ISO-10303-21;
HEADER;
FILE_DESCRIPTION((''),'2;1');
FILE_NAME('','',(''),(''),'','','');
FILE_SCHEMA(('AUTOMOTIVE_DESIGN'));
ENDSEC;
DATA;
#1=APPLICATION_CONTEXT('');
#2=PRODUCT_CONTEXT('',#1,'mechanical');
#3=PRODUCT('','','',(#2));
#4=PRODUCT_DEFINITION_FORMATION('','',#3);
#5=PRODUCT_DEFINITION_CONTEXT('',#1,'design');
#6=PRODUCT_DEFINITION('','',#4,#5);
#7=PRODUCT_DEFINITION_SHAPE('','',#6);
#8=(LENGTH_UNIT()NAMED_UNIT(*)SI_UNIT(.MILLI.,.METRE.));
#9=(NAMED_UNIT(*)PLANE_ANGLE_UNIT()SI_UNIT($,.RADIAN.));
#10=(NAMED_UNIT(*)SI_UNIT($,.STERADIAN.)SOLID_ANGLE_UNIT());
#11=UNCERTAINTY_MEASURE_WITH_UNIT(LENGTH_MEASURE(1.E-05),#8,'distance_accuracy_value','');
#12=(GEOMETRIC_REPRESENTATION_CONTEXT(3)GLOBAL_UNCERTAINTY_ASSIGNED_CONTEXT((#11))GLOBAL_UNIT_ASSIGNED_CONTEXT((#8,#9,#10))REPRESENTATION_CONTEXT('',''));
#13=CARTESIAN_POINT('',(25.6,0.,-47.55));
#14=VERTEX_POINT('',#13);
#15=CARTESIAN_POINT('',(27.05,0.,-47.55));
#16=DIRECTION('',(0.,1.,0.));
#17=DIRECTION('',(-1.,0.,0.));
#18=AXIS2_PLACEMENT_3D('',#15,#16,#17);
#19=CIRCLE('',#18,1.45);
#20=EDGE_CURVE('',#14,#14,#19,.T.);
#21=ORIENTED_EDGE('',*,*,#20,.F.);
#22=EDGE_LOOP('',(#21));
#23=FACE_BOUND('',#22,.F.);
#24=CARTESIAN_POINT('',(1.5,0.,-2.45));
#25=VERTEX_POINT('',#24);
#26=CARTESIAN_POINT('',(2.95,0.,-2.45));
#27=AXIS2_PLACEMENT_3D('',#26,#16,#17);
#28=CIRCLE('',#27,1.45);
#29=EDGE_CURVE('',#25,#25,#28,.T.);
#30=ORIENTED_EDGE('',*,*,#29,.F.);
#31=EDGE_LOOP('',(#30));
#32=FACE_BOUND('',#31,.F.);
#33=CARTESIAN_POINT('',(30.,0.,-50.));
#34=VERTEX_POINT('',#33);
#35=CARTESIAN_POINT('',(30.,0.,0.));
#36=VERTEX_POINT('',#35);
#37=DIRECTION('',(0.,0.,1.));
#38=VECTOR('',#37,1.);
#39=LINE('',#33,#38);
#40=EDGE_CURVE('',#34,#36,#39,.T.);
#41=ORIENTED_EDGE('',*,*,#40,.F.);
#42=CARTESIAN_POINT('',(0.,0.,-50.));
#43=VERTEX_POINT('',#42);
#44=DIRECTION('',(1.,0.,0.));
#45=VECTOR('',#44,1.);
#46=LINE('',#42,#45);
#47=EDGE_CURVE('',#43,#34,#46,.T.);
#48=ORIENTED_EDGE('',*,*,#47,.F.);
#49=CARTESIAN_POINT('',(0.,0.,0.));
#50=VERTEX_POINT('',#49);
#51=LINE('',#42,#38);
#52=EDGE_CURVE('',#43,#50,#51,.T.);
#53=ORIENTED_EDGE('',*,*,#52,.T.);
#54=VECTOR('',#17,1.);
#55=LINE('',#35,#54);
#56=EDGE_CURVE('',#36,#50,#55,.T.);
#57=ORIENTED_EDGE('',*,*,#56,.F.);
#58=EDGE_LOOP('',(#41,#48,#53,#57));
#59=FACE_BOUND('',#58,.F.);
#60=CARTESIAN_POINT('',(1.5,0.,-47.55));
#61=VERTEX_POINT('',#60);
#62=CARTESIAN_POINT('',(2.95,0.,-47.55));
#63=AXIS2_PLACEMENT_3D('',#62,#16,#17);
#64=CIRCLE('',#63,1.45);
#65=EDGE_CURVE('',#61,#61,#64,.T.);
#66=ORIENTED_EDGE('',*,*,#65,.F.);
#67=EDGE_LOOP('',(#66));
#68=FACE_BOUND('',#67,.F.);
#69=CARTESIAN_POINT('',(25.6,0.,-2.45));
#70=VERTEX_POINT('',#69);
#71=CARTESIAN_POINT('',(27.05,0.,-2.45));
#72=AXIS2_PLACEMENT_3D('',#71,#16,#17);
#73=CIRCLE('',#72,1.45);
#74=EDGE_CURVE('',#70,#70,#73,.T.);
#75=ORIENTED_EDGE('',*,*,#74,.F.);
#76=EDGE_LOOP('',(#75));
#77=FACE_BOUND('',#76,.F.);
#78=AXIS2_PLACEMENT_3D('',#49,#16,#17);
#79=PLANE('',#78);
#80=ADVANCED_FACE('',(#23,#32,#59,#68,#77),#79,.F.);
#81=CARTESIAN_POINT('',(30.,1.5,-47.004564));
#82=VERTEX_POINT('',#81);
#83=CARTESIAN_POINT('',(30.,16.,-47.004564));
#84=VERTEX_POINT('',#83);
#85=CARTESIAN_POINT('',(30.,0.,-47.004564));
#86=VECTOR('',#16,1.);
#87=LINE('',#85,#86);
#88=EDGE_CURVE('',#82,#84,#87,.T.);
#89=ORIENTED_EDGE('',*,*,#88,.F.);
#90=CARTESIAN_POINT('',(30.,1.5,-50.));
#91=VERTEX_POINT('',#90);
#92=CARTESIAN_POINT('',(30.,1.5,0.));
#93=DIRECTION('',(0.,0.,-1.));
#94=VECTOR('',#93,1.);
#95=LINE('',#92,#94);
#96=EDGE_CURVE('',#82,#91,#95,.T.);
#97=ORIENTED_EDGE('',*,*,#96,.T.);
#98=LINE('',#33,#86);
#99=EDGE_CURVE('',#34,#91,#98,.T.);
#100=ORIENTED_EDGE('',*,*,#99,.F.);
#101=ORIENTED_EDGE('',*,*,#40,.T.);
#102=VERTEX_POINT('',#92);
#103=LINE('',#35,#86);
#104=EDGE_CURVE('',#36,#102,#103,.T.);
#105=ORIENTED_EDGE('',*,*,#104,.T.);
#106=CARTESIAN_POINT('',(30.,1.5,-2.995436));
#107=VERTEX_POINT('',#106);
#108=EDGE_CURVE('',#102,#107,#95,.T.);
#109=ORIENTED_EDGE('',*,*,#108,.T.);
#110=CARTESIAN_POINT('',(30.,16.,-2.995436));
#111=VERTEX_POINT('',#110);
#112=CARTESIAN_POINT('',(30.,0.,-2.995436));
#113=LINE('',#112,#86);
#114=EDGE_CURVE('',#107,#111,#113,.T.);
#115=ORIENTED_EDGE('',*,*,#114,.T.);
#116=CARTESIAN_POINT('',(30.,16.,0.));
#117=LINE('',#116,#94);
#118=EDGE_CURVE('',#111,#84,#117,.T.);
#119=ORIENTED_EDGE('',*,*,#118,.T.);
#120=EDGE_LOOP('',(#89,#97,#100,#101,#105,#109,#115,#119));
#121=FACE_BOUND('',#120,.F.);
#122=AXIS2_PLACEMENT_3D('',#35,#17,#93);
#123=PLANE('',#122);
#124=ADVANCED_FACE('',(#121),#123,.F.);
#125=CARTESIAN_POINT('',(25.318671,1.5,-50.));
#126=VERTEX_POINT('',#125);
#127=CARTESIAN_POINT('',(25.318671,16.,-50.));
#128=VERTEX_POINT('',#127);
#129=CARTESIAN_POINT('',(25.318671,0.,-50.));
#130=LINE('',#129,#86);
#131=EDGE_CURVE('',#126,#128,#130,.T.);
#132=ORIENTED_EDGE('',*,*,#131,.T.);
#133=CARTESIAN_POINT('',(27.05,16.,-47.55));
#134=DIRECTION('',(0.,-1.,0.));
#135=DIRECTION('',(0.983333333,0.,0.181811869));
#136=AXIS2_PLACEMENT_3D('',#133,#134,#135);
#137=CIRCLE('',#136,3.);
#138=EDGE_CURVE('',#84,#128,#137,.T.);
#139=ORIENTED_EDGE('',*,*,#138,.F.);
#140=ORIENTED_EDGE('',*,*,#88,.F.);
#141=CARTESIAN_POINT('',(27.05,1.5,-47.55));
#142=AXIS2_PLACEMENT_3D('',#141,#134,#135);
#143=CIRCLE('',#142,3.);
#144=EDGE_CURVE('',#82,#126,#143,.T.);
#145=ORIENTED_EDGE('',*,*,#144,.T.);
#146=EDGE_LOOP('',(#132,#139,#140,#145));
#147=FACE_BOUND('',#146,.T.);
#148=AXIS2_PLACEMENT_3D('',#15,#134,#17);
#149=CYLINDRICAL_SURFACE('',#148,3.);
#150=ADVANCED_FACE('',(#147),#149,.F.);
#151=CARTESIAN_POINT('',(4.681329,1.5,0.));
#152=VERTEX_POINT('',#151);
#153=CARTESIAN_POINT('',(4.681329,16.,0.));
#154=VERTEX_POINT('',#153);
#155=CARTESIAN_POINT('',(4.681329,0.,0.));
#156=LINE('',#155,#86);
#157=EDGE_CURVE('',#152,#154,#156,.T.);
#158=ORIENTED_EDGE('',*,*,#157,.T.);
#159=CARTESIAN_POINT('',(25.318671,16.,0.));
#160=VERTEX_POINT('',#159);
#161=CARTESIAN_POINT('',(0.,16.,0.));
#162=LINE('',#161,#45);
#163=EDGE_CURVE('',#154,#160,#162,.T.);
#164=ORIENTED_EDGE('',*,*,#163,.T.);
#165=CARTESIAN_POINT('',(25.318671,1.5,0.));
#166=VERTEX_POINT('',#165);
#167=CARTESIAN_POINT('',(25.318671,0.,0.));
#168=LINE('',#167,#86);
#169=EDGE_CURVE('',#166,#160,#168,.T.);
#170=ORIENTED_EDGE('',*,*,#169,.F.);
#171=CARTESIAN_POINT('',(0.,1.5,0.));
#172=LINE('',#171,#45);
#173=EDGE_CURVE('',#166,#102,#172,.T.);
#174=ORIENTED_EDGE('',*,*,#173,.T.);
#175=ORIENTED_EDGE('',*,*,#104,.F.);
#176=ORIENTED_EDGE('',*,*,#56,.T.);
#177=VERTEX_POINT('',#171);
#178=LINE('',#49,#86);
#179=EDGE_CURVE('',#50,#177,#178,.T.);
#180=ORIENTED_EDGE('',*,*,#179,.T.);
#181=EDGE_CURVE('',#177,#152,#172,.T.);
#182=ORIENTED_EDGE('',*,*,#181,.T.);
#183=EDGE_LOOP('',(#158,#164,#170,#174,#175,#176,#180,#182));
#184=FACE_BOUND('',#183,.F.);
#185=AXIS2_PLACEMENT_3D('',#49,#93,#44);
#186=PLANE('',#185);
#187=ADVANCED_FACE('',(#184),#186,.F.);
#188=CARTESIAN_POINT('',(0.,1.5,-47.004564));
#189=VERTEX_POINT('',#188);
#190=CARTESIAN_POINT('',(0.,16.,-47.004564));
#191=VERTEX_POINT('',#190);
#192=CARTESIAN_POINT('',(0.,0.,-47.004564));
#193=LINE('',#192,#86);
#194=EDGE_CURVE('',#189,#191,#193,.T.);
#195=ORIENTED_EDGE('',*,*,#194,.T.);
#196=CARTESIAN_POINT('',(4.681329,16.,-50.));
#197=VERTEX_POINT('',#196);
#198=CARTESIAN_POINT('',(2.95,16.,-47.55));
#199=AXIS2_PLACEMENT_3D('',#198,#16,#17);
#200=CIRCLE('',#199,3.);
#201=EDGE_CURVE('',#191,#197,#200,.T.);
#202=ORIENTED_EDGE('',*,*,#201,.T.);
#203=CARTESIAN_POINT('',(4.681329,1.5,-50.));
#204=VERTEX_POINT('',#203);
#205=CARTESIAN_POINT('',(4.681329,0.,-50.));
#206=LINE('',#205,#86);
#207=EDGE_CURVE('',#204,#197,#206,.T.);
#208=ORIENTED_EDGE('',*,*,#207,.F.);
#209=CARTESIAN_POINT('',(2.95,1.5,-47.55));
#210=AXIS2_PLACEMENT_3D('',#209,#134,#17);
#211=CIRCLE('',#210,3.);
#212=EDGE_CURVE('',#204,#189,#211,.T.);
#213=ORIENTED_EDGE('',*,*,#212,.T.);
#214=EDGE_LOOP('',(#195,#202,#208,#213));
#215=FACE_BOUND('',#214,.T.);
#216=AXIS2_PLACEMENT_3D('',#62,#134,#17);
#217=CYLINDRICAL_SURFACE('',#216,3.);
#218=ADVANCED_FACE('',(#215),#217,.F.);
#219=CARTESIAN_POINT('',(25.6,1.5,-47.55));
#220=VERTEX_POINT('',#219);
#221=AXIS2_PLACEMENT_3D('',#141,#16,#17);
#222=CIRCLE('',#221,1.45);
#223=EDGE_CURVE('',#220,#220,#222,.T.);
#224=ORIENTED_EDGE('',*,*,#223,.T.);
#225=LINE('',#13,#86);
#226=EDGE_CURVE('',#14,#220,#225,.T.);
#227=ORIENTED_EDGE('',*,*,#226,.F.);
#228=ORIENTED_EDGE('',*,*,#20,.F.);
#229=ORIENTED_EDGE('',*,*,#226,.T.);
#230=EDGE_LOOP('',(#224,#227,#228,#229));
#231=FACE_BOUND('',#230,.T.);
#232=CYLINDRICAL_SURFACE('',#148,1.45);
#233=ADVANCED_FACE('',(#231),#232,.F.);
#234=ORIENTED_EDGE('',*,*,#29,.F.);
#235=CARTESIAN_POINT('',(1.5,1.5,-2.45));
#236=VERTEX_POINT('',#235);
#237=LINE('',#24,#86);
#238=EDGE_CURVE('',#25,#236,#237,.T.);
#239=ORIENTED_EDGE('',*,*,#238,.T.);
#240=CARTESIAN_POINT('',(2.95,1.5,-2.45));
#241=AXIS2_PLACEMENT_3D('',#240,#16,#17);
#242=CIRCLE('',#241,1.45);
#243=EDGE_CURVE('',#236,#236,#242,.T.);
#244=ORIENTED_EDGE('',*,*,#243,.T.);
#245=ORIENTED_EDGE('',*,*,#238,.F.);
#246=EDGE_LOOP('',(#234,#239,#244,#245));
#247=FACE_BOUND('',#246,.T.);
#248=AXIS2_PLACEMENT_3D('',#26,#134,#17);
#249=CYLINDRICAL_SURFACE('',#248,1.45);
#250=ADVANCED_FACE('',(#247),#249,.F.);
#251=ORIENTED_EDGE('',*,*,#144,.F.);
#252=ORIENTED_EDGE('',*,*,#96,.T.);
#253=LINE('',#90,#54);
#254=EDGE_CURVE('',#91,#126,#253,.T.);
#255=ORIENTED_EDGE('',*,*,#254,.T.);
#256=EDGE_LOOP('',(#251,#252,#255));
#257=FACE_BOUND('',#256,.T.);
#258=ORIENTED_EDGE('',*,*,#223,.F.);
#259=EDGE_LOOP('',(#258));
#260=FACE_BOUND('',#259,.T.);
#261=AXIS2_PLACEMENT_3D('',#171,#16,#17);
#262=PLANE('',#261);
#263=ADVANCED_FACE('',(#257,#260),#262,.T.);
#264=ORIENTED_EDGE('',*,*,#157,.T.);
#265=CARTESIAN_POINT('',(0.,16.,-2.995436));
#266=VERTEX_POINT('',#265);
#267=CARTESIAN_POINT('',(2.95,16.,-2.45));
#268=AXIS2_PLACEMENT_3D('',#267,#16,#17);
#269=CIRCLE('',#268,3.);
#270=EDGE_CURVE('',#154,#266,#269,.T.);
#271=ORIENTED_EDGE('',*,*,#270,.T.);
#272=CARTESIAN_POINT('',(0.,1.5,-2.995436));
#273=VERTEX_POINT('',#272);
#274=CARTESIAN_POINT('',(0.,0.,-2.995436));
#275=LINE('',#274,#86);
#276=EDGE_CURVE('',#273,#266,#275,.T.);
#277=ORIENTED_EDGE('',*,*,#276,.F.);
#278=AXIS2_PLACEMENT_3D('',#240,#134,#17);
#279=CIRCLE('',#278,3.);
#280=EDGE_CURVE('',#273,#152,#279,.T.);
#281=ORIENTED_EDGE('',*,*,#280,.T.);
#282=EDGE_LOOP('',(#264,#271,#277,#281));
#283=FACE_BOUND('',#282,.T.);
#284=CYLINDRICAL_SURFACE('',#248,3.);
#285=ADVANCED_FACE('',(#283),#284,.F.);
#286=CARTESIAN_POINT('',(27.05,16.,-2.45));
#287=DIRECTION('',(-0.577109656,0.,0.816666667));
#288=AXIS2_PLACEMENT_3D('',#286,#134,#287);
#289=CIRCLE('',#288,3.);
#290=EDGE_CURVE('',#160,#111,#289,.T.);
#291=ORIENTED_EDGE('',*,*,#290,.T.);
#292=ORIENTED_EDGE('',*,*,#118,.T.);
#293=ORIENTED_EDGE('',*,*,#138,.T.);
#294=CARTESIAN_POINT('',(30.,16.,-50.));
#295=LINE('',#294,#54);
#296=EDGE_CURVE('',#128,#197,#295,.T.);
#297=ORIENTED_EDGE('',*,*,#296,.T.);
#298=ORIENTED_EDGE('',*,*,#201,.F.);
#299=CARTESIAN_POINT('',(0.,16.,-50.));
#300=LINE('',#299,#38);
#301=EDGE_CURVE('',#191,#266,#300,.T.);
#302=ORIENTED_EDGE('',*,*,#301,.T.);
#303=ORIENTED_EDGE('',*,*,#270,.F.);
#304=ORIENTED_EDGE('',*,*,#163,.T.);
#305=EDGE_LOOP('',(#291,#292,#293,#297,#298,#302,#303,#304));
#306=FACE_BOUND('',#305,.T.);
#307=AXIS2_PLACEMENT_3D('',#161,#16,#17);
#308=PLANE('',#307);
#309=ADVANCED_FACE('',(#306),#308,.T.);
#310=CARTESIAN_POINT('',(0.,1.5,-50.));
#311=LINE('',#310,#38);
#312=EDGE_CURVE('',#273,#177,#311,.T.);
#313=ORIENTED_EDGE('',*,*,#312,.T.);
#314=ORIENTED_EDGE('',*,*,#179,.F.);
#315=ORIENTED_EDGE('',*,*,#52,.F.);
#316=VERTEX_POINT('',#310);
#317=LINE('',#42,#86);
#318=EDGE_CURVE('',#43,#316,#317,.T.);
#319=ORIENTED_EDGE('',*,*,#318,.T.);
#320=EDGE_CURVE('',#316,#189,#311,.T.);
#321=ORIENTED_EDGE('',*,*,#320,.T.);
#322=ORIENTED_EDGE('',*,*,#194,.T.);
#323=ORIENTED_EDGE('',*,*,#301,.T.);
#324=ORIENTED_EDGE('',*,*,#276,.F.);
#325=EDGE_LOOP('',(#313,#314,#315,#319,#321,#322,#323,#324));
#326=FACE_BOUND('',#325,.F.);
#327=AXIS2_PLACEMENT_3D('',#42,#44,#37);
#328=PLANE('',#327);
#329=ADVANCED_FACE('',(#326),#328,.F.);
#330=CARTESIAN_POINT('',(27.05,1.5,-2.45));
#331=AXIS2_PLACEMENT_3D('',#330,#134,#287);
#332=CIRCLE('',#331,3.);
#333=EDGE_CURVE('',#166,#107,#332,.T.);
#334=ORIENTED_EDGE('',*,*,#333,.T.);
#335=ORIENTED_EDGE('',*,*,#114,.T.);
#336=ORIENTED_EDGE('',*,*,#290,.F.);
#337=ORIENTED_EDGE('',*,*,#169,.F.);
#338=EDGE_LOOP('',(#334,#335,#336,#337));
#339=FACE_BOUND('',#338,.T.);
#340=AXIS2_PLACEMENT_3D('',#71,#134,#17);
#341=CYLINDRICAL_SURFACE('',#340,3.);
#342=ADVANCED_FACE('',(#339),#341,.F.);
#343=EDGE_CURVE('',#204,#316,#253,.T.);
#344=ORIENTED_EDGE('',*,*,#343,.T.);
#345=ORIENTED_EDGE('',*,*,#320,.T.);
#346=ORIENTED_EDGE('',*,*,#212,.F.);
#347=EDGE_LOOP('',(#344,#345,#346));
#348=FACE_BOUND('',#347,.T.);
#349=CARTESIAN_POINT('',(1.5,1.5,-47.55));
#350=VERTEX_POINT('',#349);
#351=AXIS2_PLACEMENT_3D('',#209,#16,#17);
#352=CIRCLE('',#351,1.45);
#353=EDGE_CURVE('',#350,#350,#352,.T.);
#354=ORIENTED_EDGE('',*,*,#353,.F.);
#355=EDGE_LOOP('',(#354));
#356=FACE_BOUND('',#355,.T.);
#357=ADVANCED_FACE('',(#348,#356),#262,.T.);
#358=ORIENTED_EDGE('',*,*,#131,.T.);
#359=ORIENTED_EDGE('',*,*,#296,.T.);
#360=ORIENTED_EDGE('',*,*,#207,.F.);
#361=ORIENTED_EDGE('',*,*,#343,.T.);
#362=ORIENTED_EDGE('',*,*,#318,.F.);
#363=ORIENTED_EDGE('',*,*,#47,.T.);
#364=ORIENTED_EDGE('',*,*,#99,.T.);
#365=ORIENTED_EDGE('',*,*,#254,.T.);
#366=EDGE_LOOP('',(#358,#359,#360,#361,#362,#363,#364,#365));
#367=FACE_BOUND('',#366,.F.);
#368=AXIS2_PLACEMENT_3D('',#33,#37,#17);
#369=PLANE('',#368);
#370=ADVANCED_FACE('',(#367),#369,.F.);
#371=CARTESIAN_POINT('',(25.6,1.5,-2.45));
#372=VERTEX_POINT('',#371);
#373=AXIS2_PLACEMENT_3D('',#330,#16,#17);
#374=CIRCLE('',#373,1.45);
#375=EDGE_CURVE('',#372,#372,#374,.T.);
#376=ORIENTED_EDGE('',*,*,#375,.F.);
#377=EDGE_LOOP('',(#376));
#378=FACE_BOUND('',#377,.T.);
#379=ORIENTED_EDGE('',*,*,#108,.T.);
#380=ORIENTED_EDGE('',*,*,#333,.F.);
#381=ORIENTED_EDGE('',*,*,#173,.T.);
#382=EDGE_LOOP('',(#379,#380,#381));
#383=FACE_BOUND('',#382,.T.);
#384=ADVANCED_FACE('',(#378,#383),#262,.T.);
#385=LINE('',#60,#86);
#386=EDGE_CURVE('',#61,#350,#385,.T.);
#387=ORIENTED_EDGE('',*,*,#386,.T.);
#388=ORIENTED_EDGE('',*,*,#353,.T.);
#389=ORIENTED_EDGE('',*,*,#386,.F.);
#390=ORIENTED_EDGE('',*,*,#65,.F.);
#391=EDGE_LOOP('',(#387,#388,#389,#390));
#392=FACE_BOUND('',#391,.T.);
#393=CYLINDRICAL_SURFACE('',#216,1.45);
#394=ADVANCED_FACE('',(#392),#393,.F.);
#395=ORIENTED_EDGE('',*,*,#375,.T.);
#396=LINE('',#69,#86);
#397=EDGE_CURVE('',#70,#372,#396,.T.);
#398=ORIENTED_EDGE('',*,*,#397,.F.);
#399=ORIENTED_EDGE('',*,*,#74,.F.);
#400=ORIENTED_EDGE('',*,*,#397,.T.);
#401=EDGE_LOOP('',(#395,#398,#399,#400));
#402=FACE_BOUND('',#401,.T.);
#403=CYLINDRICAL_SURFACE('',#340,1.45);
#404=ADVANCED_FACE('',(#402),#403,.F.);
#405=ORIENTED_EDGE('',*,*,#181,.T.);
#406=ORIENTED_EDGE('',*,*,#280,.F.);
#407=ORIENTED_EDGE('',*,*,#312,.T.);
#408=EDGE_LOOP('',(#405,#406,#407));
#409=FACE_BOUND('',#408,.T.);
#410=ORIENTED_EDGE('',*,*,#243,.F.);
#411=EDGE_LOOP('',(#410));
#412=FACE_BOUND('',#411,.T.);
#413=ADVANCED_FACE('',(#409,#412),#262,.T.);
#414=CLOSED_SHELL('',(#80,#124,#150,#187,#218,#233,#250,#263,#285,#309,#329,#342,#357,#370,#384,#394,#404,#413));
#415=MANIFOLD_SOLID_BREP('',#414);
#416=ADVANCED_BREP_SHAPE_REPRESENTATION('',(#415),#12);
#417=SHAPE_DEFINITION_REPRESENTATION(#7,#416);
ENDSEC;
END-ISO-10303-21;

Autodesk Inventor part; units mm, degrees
ref_plane "YZ Plane" through (0, 0, 0) normal (1, 0, 0) x (0, 1, 0)
ref_plane "XZ Plane" through (0, 0, 0) normal (0, 1, 0) x (-1, 0, 0)
ref_plane "XY Plane" through (0, 0, 0) normal (0, 0, 1) x (1, 0, 0)
sketch "Sketch1" plane through (0, 0, 0) normal (0, 1, 0) x (-1, 0, 0)
  line L0 (0, 0) -> (-30, 0)
  line L1 (-30, 0) -> (-30, -50)
  line L2 (-30, -50) -> (0, -50)
  line L3 (0, -50) -> (0, 0)
  circle A0 centre (-2.95, -2.45) radius 1.45
  circle A1 centre (-2.95, -47.55) radius 1.45
  circle A2 centre (-27.05, -2.45) radius 1.45
  circle A3 centre (-27.05, -47.55) radius 1.45
  dimension "d0" = 30
  dimension "d1" = 50
  dimension "d2" = 2.9
  dimension "d3" = 2.9
  dimension "d4" = 2.9
  dimension "d5" = 2.9
  dimension "d6" = 1
  dimension "d7" = 1
  dimension "d8" = 1.5
  dimension "d9" = 1.5
  dimension "d10" = 21.2
  dimension "d11" = 1
  dimension "d12" = 1
  dimension "d13" = 1.5
  dimension "d14" = 1.5
  dimension "d15" = 21.2
  dimension "d16" = 42.2
extrude "Extrusion1" add sketch "Sketch1" along normal blind 1.5
sketch "Sketch2" plane through (0, 0, 0) normal (0, 1, 0) x (-1, 0, 0)
  line L0 (-30, 0) -> (-30, -50) projected
  line L1 (-30, -50) -> (0, -50) projected
  line L2 (0, -50) -> (0, 0) projected
  line L3 (0, 0) -> (-30, 0) projected
  circle A0 centre (-2.95, -2.45) radius 1.45 projected
  circle A1 centre (-2.95, -47.55) radius 1.45 projected
  circle A2 centre (-27.05, -2.45) radius 1.45 projected
  circle A3 centre (-27.05, -47.55) radius 1.45 projected
  circle A4 centre (-2.95, -2.45) radius 3
  circle A5 centre (-27.05, -2.45) radius 3
  circle A6 centre (-27.05, -47.55) radius 3
  circle A7 centre (-2.95, -47.55) radius 3
  point P0 (-4.6813, -50)
  point P1 (0, -47.0046)
  point P2 (0, -2.9954)
  point P3 (-4.6813, 0)
  point P4 (-25.3187, 0)
  point P5 (-30, -2.9954)
  point P6 (-30, -47.0046)
  point P7 (-25.3187, -50)
  dimension "d19" = 6
  dimension "d20" = 6
  dimension "d21" = 6
  dimension "d22" = 6
extrude "Extrusion2" add sketch "Sketch2" along normal blind 16 contours A5 L3 A4 L2 A7 L1 A6 L0
sketch "Sketch3" plane through (0, 16, 0) normal (0, 1, 0) x (1, 0, 0)
  line L0 (8.9716, 1.646) -> (8.9716, 8.8387) construction
  line L1 (8.9716, 8.8387) -> (12.0196, 8.8387) construction
  line L2 (12.0196, 8.8387) -> (12.0196, 1.646) construction
  line L3 (12.0196, 1.646) -> (8.9716, 1.646) construction
  line L4 (17.94, 0.53) -> (17.94, 9.2516) construction
  line L5 (17.94, 9.2516) -> (20.988, 9.2516) construction
  line L6 (20.988, 9.2516) -> (20.988, 0.53) construction
  line L7 (20.988, 0.53) -> (17.94, 0.53) construction
  line L8 (9.4001, 36.4792) -> (9.4001, 48.0764) construction
  line L9 (9.4001, 48.0764) -> (12.819, 48.0764) construction
  line L10 (12.819, 48.0764) -> (12.819, 36.4792) construction
  line L11 (12.819, 36.4792) -> (9.4001, 36.4792) construction
  line L12 (17.4365, 29.8752) -> (17.4365, 49.4772) construction
  line L13 (17.4365, 49.4772) -> (20.6129, 49.4772) construction
  line L14 (20.6129, 49.4772) -> (20.6129, 29.8752) construction
  line L15 (20.6129, 29.8752) -> (17.4365, 29.8752) construction
  dimension "d0" = 30
  dimension "d1" = 50
  dimension "d2" = 2.9
  dimension "d3" = 2.9
  dimension "d4" = 2.9
  dimension "d5" = 2.9
  dimension "d6" = 1
  dimension "d7" = 1
  dimension "d8" = 1.5
  dimension "d9" = 1.5
  dimension "d10" = 21.2
  dimension "d11" = 1
  dimension "d12" = 1
  dimension "d13" = 1.5
  dimension "d14" = 1.5
  dimension "d15" = 21.2
  dimension "d16" = 42.2
sketch "Sketch5" plane through (0, 0, 0) normal (0, -1, 0) x (1, 0, 0)
  line L0 (9.8353, -9.6124) -> (9.8353, -2.4197) construction
  line L1 (9.8353, -2.4197) -> (12.0852, -2.4197) construction
  line L2 (12.0852, -2.4197) -> (12.0852, -9.6124) construction
  line L3 (12.0852, -9.6124) -> (9.8353, -9.6124) construction
  line L4 (17.7904, -9.8846) -> (17.7904, -1.163) construction
  line L5 (17.7904, -1.163) -> (20.8384, -1.163) construction
  line L6 (20.8384, -1.163) -> (20.8384, -9.8846) construction
  line L7 (20.8384, -9.8846) -> (17.7904, -9.8846) construction
  line L8 (9.1217, -46.5933) -> (9.1217, -34.996) construction
  line L9 (9.1217, -34.996) -> (12.5406, -34.996) construction
  line L10 (12.5406, -34.996) -> (12.5406, -46.5933) construction
  line L11 (12.5406, -46.5933) -> (9.1217, -46.5933) construction
  line L12 (17.9992, -47.1662) -> (17.9992, -27.5642) construction
  line L13 (17.9992, -27.5642) -> (21.1756, -27.5642) construction
  line L14 (21.1756, -27.5642) -> (21.1756, -47.1662) construction
  line L15 (21.1756, -47.1662) -> (17.9992, -47.1662) construction
  point P0 (0, 0)
  dimension "d0" = 30
  dimension "d1" = 50
  dimension "d2" = 2.9
  dimension "d3" = 2.9
  dimension "d4" = 2.9
  dimension "d5" = 2.9
  dimension "d6" = 1
  dimension "d7" = 1
  dimension "d8" = 1.5
  dimension "d9" = 1.5
  dimension "d10" = 21.2
  dimension "d11" = 1
  dimension "d12" = 1
  dimension "d13" = 1.5
  dimension "d14" = 1.5
  dimension "d15" = 21.2
  dimension "d16" = 42.2
equation "\"d3\" = d2"
equation "\"d4\" = d2"
equation "\"d5\" = d2"
equation "\"d7\" = d6"
equation "\"d12\" = d11"
properties part number "led_buck_conv"
